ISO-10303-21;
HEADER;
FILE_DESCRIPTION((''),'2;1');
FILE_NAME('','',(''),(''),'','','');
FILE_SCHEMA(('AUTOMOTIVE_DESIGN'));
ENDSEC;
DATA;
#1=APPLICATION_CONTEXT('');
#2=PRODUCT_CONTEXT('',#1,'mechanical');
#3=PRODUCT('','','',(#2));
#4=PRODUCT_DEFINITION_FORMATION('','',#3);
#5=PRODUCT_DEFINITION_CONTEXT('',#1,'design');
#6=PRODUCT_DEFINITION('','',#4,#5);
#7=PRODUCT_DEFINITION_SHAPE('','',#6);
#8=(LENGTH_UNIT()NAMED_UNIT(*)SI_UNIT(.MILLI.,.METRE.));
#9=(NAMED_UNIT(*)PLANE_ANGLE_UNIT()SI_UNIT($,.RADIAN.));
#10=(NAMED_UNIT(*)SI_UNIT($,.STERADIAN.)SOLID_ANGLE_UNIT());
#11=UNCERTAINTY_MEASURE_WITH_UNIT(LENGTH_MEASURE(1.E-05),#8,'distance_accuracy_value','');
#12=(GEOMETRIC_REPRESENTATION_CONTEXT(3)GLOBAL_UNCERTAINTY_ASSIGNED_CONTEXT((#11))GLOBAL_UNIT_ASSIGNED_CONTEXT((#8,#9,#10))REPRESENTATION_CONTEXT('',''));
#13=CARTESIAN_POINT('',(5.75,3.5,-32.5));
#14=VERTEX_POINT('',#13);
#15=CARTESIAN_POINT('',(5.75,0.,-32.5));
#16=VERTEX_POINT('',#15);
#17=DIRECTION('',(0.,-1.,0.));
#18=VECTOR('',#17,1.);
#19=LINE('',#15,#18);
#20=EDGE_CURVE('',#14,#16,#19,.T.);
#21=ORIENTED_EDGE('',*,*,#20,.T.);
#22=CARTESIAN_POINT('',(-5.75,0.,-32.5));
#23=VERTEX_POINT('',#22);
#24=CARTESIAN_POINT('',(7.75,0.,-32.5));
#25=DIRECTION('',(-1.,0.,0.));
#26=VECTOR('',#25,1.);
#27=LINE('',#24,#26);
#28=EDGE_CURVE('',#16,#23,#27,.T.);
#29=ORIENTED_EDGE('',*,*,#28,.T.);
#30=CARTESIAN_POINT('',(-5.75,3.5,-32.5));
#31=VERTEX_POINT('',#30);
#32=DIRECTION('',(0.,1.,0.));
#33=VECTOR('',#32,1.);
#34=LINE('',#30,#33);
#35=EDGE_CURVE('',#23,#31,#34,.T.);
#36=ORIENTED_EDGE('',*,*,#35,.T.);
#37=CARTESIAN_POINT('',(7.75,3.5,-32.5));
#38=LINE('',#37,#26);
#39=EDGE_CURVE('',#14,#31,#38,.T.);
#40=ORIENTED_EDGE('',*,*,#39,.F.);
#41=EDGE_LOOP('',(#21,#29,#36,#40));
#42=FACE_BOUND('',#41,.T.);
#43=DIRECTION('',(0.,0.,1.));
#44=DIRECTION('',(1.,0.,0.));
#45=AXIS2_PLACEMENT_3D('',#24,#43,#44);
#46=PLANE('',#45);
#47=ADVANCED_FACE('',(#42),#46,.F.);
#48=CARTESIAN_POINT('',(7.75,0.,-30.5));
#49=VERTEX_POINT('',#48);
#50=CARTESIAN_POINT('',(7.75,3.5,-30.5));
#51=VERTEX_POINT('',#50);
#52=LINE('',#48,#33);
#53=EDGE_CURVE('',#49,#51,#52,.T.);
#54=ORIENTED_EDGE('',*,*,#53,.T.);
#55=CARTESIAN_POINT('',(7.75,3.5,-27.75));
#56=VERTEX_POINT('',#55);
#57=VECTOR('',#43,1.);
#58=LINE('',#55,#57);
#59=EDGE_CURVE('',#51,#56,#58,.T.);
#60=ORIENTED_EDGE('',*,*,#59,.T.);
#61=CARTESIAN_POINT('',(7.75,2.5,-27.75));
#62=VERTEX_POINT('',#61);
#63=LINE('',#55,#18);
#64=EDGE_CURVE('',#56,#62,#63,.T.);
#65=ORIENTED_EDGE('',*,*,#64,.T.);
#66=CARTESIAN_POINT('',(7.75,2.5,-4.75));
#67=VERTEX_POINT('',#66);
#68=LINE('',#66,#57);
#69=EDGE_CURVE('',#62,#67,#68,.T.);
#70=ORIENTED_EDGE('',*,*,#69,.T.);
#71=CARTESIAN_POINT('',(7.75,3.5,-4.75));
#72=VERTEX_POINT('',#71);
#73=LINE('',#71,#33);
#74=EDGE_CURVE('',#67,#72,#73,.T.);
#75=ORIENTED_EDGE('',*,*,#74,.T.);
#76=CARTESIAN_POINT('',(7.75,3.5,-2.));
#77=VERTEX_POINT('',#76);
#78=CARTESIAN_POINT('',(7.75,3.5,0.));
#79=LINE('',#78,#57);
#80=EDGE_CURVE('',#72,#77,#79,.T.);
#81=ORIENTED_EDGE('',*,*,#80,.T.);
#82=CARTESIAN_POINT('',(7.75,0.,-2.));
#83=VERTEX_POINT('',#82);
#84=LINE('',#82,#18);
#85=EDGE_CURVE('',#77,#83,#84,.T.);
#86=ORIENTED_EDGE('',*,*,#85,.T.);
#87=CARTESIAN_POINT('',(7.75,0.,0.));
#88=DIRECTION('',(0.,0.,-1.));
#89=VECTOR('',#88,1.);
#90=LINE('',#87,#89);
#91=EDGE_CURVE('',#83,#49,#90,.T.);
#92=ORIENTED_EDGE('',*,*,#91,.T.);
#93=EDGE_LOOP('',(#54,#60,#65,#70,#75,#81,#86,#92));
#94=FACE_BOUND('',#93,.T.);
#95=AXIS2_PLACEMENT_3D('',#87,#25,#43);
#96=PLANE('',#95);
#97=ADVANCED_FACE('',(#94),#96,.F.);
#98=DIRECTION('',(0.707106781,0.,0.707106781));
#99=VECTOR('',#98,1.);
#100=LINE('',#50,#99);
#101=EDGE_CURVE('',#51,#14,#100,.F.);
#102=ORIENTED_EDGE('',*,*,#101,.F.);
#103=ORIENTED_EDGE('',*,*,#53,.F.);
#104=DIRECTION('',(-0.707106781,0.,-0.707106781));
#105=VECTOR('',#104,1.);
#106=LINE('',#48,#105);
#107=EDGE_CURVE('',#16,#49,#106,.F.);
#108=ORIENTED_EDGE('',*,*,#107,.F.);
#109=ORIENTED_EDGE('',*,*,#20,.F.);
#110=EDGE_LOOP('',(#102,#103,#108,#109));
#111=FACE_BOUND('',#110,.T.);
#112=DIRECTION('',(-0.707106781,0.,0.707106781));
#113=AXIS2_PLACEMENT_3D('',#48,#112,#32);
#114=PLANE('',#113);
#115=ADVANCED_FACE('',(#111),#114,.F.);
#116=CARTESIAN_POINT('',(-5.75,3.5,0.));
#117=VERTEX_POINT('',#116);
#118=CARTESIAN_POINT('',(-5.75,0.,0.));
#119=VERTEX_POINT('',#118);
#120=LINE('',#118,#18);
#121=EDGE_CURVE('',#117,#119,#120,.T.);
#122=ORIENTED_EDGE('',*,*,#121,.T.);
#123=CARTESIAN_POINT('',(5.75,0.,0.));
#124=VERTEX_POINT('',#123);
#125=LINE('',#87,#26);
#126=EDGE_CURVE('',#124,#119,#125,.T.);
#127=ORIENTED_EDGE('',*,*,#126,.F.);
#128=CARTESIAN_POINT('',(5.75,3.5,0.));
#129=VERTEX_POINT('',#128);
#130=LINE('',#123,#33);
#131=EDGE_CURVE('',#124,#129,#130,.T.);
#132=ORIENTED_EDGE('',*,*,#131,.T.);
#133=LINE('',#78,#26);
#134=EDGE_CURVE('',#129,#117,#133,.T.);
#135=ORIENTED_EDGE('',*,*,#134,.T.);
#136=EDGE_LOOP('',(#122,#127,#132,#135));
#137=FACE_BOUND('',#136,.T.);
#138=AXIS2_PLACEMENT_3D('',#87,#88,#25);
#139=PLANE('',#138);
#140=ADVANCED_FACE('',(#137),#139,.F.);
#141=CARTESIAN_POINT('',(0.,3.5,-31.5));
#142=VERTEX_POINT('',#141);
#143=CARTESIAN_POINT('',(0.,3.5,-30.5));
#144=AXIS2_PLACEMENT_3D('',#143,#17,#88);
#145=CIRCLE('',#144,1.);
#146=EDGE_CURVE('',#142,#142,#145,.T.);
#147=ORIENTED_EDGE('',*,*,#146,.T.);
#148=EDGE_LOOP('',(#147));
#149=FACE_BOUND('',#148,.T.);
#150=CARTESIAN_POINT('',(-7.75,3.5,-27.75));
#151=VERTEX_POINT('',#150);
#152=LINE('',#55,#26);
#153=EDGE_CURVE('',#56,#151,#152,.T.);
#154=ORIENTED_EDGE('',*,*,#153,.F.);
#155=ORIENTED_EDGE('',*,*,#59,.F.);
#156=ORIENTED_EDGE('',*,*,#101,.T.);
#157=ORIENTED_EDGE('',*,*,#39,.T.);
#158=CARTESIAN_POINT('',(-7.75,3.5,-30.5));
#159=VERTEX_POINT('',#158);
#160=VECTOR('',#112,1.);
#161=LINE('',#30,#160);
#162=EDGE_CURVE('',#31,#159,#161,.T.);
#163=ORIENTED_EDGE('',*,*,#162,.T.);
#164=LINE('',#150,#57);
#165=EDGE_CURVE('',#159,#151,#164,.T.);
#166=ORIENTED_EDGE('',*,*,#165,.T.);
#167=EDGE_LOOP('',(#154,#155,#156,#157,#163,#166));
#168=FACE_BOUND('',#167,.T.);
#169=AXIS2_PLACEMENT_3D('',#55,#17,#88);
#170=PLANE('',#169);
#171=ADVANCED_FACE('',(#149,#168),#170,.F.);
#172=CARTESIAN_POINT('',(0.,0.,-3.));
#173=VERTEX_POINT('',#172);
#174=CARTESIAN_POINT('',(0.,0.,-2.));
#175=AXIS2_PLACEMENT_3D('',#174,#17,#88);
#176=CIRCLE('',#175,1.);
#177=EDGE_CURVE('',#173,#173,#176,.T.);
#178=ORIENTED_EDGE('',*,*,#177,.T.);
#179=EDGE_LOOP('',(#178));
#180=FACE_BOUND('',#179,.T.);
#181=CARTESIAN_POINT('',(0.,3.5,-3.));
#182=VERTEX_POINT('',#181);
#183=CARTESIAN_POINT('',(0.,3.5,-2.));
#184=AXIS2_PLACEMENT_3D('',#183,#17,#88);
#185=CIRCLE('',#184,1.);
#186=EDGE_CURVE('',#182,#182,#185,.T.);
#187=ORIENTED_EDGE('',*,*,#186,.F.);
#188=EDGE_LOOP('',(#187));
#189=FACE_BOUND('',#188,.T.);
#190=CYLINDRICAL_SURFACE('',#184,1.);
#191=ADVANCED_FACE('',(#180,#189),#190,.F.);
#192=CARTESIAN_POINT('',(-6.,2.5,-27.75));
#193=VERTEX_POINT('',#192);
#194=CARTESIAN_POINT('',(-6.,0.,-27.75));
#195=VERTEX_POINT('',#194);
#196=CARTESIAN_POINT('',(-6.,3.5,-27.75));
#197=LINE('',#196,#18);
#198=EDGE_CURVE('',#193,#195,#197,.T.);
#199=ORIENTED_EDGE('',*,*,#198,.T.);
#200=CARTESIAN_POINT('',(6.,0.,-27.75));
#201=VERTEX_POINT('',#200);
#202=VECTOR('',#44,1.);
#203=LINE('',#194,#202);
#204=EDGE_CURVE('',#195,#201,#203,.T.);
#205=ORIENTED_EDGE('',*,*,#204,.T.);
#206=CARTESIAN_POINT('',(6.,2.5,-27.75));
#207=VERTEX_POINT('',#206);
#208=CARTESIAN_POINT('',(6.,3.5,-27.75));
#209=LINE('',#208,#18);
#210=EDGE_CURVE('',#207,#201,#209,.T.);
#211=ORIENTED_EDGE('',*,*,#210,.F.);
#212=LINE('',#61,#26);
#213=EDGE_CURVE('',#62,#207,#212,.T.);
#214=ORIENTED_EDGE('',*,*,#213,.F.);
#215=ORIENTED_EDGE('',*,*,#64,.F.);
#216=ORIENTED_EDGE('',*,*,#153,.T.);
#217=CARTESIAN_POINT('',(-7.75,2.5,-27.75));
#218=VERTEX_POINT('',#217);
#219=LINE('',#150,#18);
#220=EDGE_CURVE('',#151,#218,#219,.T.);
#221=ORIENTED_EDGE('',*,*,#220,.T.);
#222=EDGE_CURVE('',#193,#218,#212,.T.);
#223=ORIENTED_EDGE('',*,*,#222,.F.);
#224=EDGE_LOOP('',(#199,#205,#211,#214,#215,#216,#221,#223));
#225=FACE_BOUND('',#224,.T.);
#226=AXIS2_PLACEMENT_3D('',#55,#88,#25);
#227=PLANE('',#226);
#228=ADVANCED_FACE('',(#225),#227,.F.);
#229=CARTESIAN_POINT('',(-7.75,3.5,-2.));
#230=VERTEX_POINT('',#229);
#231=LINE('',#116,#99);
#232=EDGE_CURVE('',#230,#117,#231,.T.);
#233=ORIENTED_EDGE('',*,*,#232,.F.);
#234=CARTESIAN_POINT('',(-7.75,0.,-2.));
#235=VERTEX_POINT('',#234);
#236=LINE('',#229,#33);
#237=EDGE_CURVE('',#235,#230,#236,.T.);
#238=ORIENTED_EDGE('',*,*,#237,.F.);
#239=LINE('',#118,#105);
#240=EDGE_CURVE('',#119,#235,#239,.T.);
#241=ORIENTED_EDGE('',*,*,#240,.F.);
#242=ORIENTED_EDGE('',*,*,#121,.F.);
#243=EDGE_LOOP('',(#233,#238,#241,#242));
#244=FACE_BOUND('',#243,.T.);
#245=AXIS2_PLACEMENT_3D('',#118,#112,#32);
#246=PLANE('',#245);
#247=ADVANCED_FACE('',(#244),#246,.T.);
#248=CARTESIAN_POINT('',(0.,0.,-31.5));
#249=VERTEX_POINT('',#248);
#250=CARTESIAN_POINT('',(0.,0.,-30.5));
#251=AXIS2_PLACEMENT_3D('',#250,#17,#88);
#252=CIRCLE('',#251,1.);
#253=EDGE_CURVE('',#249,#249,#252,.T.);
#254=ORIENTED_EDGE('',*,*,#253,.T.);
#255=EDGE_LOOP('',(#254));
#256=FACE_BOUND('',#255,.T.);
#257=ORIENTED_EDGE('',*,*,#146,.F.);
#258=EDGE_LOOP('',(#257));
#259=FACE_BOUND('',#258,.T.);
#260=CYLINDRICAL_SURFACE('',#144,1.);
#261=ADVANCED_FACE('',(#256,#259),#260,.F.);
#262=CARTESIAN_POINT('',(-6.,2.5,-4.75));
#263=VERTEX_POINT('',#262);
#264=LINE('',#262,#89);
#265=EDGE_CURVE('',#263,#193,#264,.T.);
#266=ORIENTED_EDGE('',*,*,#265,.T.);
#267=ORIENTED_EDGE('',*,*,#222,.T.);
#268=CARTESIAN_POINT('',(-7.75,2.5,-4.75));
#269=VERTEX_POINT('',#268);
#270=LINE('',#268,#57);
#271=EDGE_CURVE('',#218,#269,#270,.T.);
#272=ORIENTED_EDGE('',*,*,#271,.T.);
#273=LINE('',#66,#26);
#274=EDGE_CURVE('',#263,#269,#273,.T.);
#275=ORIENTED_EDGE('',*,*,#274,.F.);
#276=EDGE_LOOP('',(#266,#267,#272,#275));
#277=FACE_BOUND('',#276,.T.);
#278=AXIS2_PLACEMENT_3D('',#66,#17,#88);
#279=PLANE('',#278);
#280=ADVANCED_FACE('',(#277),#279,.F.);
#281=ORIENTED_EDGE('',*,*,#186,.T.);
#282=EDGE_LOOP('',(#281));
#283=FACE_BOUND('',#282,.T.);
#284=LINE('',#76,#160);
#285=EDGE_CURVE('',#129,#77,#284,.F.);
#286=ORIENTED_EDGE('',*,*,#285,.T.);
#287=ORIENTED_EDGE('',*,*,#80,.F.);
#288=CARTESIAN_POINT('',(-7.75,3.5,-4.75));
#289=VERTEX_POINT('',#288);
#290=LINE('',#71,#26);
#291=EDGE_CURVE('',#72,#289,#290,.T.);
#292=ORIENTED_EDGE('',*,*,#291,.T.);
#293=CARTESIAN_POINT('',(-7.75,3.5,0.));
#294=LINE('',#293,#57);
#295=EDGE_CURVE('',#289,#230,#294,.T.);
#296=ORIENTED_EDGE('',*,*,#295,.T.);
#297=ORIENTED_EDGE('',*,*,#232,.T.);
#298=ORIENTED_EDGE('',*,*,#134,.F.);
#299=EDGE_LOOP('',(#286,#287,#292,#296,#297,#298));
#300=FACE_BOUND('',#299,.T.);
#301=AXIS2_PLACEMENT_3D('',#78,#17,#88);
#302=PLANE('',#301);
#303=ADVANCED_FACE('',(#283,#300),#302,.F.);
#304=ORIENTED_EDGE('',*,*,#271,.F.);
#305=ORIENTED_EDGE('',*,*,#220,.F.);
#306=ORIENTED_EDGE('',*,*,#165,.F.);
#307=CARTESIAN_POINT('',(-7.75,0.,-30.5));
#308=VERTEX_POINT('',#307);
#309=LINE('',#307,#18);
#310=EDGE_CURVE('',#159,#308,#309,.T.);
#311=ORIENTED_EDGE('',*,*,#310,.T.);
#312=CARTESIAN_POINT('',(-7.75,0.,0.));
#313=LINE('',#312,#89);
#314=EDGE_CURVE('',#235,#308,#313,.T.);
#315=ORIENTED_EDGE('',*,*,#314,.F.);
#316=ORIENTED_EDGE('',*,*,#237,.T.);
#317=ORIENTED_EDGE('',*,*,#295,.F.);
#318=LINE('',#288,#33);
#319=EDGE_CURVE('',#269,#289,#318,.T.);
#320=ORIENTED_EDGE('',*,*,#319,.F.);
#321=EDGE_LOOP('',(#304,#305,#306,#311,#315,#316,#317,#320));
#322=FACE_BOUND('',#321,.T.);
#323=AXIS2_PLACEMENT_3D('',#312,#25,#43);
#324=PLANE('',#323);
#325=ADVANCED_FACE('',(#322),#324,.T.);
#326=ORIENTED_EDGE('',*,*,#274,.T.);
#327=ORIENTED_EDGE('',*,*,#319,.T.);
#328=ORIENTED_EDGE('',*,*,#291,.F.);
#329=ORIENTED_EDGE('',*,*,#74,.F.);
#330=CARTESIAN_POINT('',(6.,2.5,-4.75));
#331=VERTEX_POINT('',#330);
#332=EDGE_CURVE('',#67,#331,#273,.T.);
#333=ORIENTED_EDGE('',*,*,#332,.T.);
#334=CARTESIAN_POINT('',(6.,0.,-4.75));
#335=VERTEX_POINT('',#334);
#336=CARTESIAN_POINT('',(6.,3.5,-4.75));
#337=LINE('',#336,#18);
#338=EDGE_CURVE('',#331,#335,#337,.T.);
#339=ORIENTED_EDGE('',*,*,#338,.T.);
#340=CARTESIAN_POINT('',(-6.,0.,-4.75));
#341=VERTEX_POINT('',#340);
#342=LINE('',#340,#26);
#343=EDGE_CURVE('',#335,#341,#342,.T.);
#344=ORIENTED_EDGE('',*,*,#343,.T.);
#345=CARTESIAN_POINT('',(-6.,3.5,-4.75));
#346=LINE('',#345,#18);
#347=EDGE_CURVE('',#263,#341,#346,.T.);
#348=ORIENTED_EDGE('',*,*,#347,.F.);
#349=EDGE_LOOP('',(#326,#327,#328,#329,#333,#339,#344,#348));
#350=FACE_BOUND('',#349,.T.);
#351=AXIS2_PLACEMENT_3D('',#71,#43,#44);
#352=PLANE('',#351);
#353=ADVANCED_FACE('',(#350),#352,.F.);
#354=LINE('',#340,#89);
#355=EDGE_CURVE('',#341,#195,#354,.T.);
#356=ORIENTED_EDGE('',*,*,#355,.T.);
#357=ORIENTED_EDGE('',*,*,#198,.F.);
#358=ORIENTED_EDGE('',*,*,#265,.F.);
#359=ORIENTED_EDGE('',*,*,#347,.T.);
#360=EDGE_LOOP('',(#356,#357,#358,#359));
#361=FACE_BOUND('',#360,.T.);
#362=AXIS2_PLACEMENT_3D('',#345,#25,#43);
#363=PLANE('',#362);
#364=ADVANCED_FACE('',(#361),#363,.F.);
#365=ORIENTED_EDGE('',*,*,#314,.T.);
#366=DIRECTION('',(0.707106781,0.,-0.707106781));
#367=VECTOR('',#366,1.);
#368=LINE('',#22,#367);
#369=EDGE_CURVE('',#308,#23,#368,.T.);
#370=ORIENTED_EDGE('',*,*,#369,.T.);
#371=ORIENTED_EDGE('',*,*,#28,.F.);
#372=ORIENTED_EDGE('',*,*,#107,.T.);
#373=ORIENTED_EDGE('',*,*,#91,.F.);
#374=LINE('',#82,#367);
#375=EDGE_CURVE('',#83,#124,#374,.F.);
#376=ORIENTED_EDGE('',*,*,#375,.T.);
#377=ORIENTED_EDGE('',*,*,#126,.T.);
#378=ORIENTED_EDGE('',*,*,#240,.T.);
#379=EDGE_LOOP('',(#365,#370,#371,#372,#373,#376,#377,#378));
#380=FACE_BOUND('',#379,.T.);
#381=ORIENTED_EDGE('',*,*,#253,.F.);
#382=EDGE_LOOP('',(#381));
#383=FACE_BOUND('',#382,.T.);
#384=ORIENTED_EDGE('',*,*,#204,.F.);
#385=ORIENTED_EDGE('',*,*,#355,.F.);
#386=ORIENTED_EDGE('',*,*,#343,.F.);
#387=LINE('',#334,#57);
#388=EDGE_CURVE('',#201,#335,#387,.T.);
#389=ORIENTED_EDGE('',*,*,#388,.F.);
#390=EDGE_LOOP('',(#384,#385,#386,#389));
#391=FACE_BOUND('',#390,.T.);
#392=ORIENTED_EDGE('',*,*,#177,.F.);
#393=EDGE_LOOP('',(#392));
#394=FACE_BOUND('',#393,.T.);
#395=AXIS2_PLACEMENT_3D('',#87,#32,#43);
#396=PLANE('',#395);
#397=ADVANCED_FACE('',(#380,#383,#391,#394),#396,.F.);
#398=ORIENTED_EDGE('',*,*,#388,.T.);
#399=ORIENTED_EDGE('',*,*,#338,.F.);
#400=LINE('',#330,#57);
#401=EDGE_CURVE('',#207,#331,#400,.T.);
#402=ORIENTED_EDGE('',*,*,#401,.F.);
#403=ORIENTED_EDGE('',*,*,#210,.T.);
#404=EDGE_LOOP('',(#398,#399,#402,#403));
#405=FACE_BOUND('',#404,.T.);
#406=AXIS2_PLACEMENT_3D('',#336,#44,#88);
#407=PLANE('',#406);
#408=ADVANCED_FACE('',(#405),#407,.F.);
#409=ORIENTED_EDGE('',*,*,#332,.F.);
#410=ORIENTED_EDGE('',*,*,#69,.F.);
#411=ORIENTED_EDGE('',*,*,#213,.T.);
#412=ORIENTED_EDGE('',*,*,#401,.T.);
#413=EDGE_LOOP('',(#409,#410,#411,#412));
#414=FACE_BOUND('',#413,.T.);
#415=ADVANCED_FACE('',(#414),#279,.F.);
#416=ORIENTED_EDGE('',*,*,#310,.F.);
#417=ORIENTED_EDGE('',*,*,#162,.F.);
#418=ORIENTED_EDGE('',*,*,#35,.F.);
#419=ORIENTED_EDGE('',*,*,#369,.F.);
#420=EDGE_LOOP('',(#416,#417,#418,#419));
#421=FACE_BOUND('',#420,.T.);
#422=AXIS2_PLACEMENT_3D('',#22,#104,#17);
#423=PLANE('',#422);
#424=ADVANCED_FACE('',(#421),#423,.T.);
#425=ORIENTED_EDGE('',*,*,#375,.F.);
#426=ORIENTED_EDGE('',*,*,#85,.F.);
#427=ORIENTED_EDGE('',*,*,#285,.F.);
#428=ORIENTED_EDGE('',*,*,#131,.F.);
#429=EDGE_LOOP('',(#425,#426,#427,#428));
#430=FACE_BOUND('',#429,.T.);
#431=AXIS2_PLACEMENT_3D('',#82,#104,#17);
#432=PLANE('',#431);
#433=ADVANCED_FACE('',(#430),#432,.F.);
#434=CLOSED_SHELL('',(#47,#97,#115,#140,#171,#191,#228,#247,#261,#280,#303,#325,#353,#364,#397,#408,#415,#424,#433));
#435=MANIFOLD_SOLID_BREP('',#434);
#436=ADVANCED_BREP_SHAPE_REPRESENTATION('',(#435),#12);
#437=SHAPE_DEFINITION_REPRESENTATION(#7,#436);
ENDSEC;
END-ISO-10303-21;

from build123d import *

# Parameters (mm, degrees)
EXTRUDE_1_DEPTH     = 7.75
SKETCH_3_R          = 1
SKETCH_3_W          = 12
SKETCH_3_H          = 23
CUT_EXTRUDE_1_DEPTH = 34.594084301
CHAMFER_1_SIZE      = 2


with BuildPart() as part:
    # 草圖2 → 填料-伸長1 (new, symmetric)
    with BuildSketch(Plane(origin=(0, 0, 0), x_dir=(0, 0, -1), z_dir=(1, 0, 0))):
        Polygon((27.75, 3.5), (32.5, 3.5), (32.5, 0), (0, 0), (0, 3.5), (4.75, 3.5), (4.75, 2.5), (27.75, 2.5), align=None)
    extrude(amount=EXTRUDE_1_DEPTH, both=True)

    # 草圖3 → 除料-伸長1 (cut, through all)
    with BuildSketch(Plane.XZ):
        with Locations(Location((0, -2, 0), (0, 0, 270))):
            Circle(SKETCH_3_R)
        with Locations(Location((0, -30.5, 0), (0, 0, 270))):
            Circle(SKETCH_3_R)
        with Locations((0, -16.25)):
            Rectangle(SKETCH_3_W, SKETCH_3_H)
    extrude(amount=-CUT_EXTRUDE_1_DEPTH, mode=Mode.SUBTRACT)

    # 導角1
    chamfer_1_edges = [part.edges().sort_by_distance(p)[0] for p in [
        (7.75, 1.75, -32.5),
        (-7.75, 1.75, 0),
        (7.75, 1.75, 0),
        (-7.75, 1.75, -32.5),
    ]]
    chamfer(chamfer_1_edges, length=CHAMFER_1_SIZE)


solid = part.part
